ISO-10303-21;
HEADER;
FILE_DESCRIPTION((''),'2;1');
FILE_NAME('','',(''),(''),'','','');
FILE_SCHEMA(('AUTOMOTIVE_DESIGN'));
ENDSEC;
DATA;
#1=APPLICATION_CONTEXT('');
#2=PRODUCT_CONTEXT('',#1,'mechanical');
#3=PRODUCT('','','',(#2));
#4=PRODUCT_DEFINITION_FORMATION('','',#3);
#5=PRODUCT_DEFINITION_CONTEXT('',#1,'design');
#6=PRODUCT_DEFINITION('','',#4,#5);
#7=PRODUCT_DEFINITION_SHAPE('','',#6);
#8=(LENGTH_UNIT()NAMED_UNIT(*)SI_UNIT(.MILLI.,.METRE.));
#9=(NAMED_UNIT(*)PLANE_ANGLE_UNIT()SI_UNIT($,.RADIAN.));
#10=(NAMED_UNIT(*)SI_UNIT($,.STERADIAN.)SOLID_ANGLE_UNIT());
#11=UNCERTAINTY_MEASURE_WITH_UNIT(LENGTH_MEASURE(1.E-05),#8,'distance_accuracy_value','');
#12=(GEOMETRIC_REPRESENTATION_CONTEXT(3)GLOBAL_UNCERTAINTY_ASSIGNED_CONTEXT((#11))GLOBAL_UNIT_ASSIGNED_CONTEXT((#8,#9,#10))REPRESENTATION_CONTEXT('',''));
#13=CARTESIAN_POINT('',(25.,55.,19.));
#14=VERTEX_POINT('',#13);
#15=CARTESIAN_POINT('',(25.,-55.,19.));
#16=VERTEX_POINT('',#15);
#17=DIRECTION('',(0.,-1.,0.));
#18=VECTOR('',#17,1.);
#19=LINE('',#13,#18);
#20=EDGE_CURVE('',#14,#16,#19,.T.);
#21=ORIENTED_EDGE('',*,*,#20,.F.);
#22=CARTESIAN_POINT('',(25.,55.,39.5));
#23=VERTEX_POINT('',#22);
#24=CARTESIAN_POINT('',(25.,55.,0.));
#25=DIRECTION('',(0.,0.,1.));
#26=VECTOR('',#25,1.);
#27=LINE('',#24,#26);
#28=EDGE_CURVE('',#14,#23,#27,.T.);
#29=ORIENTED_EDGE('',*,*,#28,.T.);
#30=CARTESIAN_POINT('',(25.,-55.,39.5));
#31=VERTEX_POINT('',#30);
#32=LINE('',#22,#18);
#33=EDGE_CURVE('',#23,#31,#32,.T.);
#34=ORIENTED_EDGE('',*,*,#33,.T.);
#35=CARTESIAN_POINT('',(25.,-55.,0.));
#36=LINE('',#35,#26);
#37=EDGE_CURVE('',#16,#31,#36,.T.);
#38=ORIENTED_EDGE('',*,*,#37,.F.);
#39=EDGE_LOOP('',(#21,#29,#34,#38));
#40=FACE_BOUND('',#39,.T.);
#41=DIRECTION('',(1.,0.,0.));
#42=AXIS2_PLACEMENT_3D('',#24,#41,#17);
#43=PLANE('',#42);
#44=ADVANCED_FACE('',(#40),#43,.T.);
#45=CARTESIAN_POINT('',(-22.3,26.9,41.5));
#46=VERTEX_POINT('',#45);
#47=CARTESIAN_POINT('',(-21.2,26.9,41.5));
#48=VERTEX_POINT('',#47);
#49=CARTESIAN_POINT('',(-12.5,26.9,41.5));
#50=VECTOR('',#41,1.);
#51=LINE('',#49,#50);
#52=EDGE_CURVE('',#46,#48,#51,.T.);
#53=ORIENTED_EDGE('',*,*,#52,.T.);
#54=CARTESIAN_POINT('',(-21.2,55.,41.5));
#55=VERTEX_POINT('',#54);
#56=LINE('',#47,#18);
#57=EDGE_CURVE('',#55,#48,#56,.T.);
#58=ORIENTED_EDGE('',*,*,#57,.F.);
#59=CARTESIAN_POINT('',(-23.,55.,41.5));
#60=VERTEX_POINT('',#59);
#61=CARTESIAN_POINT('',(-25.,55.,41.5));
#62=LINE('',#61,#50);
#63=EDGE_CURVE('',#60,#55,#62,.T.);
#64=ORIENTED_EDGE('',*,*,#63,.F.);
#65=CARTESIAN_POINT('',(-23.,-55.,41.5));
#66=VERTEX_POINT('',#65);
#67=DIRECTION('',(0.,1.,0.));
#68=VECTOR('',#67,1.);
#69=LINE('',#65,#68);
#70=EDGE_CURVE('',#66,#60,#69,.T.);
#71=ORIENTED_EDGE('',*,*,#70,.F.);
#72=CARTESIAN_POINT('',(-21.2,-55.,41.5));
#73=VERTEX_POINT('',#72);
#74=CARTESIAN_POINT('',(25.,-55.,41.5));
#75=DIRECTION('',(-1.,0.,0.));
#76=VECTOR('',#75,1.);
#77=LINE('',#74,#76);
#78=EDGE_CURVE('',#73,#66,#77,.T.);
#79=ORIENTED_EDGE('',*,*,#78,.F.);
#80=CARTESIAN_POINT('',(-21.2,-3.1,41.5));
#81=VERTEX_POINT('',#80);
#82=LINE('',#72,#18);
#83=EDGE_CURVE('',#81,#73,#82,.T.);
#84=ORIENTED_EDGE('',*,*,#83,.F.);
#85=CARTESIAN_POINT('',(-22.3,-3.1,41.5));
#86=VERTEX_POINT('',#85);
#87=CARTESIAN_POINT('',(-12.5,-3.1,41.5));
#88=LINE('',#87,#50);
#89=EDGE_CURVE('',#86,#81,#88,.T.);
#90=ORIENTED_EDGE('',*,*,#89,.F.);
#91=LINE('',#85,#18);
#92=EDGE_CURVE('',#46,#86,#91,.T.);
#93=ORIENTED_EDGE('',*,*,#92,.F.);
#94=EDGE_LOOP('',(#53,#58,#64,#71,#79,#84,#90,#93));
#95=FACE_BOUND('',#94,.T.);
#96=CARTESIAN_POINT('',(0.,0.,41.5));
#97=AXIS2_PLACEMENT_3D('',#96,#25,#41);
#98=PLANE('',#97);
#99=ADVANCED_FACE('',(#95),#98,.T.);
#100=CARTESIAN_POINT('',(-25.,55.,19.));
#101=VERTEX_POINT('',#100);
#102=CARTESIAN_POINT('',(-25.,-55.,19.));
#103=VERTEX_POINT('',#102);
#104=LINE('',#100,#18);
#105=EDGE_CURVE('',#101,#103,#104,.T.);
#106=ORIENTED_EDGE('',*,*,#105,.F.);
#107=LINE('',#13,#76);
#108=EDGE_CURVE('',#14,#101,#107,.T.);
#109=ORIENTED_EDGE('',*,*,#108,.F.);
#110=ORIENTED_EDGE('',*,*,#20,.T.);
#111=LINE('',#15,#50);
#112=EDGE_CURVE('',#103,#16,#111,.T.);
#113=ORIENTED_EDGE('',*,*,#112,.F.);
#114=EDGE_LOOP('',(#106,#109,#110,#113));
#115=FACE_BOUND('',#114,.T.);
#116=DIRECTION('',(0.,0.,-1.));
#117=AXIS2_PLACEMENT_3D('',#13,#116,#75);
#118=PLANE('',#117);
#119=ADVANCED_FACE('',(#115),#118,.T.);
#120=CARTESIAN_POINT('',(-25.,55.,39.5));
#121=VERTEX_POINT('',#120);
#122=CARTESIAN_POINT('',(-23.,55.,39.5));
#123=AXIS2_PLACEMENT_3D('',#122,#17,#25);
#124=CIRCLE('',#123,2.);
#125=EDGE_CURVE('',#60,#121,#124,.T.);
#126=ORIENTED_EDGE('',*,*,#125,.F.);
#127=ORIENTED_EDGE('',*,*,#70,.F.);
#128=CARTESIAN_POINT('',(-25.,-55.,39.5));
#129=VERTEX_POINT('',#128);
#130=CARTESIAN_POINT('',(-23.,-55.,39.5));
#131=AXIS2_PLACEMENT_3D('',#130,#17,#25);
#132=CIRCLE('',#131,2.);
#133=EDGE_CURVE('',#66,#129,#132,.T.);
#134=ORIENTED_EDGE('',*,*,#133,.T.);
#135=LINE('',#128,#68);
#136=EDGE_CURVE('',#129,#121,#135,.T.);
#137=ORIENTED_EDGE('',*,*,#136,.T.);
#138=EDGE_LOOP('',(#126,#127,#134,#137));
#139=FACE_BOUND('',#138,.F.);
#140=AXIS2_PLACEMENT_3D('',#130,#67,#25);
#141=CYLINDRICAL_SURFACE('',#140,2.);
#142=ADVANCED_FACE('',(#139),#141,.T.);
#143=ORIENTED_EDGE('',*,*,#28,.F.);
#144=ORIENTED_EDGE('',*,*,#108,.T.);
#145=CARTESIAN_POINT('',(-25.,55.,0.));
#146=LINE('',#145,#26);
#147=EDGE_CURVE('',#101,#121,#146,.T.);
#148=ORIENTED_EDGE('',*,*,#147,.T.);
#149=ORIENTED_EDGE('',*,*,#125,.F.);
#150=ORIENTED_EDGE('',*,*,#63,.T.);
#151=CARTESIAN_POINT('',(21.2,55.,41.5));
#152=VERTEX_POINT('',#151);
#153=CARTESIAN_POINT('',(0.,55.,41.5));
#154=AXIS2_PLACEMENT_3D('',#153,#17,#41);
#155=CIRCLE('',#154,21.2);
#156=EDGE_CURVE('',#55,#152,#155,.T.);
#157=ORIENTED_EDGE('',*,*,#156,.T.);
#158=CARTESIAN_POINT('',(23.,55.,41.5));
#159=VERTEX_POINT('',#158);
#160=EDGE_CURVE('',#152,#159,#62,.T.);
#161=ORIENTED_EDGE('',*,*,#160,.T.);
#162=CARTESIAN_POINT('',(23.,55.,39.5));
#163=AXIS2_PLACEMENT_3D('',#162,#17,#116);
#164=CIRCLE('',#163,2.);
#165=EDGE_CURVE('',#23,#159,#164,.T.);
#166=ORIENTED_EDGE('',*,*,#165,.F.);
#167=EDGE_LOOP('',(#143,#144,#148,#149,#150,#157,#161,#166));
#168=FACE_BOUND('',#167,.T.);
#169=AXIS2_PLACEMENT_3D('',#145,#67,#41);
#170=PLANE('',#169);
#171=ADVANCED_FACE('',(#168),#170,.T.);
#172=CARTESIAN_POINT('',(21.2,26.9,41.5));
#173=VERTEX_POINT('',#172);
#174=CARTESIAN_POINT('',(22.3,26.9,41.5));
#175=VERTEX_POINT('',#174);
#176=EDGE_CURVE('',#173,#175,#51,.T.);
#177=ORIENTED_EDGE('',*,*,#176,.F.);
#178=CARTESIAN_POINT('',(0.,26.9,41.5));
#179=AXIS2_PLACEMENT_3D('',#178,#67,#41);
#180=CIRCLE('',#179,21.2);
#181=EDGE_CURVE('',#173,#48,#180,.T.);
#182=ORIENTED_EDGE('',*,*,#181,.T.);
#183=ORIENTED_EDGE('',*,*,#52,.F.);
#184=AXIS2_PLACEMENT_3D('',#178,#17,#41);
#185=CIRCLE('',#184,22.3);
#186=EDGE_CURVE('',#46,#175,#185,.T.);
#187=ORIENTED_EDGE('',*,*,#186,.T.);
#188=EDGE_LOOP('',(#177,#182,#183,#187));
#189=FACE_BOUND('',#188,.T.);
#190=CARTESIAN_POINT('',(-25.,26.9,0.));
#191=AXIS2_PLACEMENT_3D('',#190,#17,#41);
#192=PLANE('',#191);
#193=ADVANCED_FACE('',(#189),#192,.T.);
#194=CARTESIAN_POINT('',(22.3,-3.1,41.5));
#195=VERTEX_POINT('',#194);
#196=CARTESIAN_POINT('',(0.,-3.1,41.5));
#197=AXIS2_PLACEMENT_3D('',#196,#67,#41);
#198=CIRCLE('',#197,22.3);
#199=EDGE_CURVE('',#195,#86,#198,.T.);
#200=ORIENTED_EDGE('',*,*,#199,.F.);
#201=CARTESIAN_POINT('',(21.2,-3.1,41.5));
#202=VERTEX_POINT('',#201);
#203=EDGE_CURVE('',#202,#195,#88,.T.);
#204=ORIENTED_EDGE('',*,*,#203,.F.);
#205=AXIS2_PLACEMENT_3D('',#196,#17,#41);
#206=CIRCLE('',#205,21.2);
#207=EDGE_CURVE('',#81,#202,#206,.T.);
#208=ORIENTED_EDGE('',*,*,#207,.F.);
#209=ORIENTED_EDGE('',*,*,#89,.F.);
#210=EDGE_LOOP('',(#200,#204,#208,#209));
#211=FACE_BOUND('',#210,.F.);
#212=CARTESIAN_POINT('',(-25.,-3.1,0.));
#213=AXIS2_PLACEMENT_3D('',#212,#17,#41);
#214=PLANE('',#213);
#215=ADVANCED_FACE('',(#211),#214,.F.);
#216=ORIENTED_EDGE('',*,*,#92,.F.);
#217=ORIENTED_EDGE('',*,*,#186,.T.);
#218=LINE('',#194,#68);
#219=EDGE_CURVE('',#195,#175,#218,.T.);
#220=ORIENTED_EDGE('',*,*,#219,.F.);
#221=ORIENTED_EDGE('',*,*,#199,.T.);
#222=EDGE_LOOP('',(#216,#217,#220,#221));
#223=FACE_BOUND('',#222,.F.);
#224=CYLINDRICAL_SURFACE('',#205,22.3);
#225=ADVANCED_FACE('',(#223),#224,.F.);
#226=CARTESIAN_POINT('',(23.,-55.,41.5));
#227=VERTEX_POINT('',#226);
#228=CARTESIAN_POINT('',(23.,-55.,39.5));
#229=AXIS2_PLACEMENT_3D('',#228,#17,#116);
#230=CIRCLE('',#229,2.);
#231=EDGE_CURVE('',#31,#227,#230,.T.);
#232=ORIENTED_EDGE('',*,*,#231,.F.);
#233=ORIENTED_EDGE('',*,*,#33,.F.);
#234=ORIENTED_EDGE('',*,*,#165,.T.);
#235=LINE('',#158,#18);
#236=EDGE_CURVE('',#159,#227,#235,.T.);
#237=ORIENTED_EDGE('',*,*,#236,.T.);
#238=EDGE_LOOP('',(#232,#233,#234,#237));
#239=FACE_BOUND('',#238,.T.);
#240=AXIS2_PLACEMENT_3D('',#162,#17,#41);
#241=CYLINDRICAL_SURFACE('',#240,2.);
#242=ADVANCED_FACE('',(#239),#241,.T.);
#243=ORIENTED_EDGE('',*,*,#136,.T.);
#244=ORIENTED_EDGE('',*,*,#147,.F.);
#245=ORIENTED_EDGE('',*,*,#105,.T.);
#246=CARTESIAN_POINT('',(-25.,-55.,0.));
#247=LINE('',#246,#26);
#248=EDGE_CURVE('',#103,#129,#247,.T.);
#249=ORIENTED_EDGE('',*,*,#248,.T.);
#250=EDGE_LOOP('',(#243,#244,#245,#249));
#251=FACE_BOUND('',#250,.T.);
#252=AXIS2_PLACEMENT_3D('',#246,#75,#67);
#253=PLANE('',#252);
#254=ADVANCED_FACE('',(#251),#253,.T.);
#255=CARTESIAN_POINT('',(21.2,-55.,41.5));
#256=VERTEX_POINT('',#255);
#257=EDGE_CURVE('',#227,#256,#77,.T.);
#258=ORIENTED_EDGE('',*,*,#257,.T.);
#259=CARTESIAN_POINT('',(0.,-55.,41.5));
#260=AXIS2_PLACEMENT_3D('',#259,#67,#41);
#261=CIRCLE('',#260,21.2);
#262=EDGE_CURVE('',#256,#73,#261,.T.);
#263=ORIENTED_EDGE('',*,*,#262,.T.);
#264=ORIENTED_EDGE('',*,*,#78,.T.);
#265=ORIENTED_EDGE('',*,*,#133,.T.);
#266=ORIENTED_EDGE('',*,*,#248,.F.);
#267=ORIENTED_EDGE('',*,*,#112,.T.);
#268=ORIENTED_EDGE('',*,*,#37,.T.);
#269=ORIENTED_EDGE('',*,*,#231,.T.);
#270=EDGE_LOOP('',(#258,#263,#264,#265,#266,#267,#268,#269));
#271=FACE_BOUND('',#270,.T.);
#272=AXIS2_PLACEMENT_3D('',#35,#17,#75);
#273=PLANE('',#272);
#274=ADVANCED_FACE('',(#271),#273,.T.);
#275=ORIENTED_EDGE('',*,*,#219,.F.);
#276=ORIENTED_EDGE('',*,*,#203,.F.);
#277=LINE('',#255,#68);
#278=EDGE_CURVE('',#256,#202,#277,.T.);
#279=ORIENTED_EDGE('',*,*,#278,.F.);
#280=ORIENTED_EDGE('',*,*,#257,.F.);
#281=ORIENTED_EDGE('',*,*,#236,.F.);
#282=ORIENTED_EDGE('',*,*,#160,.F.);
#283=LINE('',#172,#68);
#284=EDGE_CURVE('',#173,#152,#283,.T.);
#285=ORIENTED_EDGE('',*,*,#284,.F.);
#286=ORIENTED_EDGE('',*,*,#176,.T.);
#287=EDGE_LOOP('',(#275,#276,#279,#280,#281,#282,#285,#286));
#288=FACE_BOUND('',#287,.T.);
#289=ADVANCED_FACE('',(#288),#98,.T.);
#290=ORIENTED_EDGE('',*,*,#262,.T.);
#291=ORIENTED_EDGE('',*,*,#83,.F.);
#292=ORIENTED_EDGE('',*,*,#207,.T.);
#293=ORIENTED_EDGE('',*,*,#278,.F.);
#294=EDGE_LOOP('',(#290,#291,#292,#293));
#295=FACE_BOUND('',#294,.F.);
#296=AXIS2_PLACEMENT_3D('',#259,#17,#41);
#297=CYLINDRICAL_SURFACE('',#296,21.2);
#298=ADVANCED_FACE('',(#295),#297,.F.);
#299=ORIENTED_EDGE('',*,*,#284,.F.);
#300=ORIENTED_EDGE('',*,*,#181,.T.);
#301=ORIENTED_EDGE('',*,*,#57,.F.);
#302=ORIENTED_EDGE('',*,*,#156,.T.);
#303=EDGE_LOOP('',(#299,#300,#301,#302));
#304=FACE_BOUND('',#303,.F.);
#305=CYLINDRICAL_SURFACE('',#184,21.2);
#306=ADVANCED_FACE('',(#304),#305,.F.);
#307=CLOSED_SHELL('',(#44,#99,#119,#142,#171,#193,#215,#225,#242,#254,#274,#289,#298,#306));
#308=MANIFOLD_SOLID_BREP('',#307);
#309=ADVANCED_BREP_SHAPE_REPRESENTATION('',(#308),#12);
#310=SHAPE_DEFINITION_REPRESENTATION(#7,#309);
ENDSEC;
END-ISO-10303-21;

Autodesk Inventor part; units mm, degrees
ref_plane "YZ Plane" through (0, 0, 0) normal (1, 0, 0) x (0, 1, 0)
ref_plane "XZ Plane" through (0, 0, 0) normal (0, 1, 0) x (-1, 0, 0)
ref_plane "XY Plane" through (0, 0, 0) normal (0, 0, 1) x (1, 0, 0)
sketch "스케치1" plane through (0, 0, 0) normal (0, 0, 1) x (1, 0, 0)
  line L0 (-25, 55) -> (25, 55)
  line L1 (25, 55) -> (25, -55)
  line L2 (25, -55) -> (-25, -55)
  line L3 (-25, -55) -> (-25, 55)
  line L4 (-25, 55) -> (25, -55) construction
  line L5 (25, 55) -> (-25, -55) construction
  point P0 (0, 0)
  dimension "d0" = 50
  dimension "d1" = 110
extrude "돌출1" add sketch "스케치1" along normal blind 41.5
sketch "스케치2" plane through (-25, -55, 0) normal (0, -1, 0) x (1, 0, 0)
  line L0 (50, 0) -> (0, 0) projected
  line L1 (0, 0) -> (25, 0)
  line L2 (25, 0) -> (25, 41.5)
  line L3 (50, 41.5) -> (0, 41.5) projected
  circle A0 centre (25, 41.5) radius 21.2
  dimension "d4" = 42.4
extrude "돌출2" cut sketch "스케치2" against normal blind 51.9
sketch "스케치3" plane through (-25, -3.1, 0) normal (0, -1, 0) x (1, 0, 0)
  line L0 (0, 0) -> (25, 0)
  line L1 (0, 0) -> (50, 0) projected
  line L2 (25, 0) -> (25, 41.5)
  line L3 (50, 41.5) -> (0, 41.5) projected
  circle A0 centre (25, 41.5) radius 22.3
  dimension "d7" = 44.6
extrude "돌출3" cut sketch "스케치3" against normal blind 30
sketch "스케치4" plane through (-25, 26.9, 0) normal (0, -1, 0) x (1, 0, 0)
  line L0 (50, 0) -> (0, 0)
  line L1 (0, 0) -> (25, 0)
  line L2 (25, 0) -> (25, 41.5)
  line L3 (50, 41.5) -> (0, 41.5)
  circle A0 centre (25, 41.5) radius 21.2
  dimension "d10" = 42.4
extrude "돌출4" cut sketch "스케치4" against normal through all
fillet "모깎기1" radius 2 2 edges at (-25, 0, 41.5) (25, 0, 41.5)
sketch "스케치5" plane through (-25, 55, 0) normal (0, 1, 0) x (1, 0, 0)
  arc A0 (47.3, -41.5) -> (2.7, -41.5) centre (25, -41.5) ccw projected
  arc A1 (47.3, -41.5) -> (2.7, -41.5) centre (25, -41.5) ccw projected
  line L0 (0, 0) -> (0, -39.5) projected
  line L1 (50, 0) -> (50, -39.5) projected
  line L2 (0, 0) -> (50, 0)
  line L3 (50, 0) -> (50, -19)
  line L4 (50, -19) -> (0, -19)
  line L5 (0, -19) -> (0, 0)
  point P0 (25, 0)
  dimension "d15" = 19
extrude "돌출5" cut sketch "스케치5" against normal through all
properties part number "motor_support2" material "ABS 플라스틱"
